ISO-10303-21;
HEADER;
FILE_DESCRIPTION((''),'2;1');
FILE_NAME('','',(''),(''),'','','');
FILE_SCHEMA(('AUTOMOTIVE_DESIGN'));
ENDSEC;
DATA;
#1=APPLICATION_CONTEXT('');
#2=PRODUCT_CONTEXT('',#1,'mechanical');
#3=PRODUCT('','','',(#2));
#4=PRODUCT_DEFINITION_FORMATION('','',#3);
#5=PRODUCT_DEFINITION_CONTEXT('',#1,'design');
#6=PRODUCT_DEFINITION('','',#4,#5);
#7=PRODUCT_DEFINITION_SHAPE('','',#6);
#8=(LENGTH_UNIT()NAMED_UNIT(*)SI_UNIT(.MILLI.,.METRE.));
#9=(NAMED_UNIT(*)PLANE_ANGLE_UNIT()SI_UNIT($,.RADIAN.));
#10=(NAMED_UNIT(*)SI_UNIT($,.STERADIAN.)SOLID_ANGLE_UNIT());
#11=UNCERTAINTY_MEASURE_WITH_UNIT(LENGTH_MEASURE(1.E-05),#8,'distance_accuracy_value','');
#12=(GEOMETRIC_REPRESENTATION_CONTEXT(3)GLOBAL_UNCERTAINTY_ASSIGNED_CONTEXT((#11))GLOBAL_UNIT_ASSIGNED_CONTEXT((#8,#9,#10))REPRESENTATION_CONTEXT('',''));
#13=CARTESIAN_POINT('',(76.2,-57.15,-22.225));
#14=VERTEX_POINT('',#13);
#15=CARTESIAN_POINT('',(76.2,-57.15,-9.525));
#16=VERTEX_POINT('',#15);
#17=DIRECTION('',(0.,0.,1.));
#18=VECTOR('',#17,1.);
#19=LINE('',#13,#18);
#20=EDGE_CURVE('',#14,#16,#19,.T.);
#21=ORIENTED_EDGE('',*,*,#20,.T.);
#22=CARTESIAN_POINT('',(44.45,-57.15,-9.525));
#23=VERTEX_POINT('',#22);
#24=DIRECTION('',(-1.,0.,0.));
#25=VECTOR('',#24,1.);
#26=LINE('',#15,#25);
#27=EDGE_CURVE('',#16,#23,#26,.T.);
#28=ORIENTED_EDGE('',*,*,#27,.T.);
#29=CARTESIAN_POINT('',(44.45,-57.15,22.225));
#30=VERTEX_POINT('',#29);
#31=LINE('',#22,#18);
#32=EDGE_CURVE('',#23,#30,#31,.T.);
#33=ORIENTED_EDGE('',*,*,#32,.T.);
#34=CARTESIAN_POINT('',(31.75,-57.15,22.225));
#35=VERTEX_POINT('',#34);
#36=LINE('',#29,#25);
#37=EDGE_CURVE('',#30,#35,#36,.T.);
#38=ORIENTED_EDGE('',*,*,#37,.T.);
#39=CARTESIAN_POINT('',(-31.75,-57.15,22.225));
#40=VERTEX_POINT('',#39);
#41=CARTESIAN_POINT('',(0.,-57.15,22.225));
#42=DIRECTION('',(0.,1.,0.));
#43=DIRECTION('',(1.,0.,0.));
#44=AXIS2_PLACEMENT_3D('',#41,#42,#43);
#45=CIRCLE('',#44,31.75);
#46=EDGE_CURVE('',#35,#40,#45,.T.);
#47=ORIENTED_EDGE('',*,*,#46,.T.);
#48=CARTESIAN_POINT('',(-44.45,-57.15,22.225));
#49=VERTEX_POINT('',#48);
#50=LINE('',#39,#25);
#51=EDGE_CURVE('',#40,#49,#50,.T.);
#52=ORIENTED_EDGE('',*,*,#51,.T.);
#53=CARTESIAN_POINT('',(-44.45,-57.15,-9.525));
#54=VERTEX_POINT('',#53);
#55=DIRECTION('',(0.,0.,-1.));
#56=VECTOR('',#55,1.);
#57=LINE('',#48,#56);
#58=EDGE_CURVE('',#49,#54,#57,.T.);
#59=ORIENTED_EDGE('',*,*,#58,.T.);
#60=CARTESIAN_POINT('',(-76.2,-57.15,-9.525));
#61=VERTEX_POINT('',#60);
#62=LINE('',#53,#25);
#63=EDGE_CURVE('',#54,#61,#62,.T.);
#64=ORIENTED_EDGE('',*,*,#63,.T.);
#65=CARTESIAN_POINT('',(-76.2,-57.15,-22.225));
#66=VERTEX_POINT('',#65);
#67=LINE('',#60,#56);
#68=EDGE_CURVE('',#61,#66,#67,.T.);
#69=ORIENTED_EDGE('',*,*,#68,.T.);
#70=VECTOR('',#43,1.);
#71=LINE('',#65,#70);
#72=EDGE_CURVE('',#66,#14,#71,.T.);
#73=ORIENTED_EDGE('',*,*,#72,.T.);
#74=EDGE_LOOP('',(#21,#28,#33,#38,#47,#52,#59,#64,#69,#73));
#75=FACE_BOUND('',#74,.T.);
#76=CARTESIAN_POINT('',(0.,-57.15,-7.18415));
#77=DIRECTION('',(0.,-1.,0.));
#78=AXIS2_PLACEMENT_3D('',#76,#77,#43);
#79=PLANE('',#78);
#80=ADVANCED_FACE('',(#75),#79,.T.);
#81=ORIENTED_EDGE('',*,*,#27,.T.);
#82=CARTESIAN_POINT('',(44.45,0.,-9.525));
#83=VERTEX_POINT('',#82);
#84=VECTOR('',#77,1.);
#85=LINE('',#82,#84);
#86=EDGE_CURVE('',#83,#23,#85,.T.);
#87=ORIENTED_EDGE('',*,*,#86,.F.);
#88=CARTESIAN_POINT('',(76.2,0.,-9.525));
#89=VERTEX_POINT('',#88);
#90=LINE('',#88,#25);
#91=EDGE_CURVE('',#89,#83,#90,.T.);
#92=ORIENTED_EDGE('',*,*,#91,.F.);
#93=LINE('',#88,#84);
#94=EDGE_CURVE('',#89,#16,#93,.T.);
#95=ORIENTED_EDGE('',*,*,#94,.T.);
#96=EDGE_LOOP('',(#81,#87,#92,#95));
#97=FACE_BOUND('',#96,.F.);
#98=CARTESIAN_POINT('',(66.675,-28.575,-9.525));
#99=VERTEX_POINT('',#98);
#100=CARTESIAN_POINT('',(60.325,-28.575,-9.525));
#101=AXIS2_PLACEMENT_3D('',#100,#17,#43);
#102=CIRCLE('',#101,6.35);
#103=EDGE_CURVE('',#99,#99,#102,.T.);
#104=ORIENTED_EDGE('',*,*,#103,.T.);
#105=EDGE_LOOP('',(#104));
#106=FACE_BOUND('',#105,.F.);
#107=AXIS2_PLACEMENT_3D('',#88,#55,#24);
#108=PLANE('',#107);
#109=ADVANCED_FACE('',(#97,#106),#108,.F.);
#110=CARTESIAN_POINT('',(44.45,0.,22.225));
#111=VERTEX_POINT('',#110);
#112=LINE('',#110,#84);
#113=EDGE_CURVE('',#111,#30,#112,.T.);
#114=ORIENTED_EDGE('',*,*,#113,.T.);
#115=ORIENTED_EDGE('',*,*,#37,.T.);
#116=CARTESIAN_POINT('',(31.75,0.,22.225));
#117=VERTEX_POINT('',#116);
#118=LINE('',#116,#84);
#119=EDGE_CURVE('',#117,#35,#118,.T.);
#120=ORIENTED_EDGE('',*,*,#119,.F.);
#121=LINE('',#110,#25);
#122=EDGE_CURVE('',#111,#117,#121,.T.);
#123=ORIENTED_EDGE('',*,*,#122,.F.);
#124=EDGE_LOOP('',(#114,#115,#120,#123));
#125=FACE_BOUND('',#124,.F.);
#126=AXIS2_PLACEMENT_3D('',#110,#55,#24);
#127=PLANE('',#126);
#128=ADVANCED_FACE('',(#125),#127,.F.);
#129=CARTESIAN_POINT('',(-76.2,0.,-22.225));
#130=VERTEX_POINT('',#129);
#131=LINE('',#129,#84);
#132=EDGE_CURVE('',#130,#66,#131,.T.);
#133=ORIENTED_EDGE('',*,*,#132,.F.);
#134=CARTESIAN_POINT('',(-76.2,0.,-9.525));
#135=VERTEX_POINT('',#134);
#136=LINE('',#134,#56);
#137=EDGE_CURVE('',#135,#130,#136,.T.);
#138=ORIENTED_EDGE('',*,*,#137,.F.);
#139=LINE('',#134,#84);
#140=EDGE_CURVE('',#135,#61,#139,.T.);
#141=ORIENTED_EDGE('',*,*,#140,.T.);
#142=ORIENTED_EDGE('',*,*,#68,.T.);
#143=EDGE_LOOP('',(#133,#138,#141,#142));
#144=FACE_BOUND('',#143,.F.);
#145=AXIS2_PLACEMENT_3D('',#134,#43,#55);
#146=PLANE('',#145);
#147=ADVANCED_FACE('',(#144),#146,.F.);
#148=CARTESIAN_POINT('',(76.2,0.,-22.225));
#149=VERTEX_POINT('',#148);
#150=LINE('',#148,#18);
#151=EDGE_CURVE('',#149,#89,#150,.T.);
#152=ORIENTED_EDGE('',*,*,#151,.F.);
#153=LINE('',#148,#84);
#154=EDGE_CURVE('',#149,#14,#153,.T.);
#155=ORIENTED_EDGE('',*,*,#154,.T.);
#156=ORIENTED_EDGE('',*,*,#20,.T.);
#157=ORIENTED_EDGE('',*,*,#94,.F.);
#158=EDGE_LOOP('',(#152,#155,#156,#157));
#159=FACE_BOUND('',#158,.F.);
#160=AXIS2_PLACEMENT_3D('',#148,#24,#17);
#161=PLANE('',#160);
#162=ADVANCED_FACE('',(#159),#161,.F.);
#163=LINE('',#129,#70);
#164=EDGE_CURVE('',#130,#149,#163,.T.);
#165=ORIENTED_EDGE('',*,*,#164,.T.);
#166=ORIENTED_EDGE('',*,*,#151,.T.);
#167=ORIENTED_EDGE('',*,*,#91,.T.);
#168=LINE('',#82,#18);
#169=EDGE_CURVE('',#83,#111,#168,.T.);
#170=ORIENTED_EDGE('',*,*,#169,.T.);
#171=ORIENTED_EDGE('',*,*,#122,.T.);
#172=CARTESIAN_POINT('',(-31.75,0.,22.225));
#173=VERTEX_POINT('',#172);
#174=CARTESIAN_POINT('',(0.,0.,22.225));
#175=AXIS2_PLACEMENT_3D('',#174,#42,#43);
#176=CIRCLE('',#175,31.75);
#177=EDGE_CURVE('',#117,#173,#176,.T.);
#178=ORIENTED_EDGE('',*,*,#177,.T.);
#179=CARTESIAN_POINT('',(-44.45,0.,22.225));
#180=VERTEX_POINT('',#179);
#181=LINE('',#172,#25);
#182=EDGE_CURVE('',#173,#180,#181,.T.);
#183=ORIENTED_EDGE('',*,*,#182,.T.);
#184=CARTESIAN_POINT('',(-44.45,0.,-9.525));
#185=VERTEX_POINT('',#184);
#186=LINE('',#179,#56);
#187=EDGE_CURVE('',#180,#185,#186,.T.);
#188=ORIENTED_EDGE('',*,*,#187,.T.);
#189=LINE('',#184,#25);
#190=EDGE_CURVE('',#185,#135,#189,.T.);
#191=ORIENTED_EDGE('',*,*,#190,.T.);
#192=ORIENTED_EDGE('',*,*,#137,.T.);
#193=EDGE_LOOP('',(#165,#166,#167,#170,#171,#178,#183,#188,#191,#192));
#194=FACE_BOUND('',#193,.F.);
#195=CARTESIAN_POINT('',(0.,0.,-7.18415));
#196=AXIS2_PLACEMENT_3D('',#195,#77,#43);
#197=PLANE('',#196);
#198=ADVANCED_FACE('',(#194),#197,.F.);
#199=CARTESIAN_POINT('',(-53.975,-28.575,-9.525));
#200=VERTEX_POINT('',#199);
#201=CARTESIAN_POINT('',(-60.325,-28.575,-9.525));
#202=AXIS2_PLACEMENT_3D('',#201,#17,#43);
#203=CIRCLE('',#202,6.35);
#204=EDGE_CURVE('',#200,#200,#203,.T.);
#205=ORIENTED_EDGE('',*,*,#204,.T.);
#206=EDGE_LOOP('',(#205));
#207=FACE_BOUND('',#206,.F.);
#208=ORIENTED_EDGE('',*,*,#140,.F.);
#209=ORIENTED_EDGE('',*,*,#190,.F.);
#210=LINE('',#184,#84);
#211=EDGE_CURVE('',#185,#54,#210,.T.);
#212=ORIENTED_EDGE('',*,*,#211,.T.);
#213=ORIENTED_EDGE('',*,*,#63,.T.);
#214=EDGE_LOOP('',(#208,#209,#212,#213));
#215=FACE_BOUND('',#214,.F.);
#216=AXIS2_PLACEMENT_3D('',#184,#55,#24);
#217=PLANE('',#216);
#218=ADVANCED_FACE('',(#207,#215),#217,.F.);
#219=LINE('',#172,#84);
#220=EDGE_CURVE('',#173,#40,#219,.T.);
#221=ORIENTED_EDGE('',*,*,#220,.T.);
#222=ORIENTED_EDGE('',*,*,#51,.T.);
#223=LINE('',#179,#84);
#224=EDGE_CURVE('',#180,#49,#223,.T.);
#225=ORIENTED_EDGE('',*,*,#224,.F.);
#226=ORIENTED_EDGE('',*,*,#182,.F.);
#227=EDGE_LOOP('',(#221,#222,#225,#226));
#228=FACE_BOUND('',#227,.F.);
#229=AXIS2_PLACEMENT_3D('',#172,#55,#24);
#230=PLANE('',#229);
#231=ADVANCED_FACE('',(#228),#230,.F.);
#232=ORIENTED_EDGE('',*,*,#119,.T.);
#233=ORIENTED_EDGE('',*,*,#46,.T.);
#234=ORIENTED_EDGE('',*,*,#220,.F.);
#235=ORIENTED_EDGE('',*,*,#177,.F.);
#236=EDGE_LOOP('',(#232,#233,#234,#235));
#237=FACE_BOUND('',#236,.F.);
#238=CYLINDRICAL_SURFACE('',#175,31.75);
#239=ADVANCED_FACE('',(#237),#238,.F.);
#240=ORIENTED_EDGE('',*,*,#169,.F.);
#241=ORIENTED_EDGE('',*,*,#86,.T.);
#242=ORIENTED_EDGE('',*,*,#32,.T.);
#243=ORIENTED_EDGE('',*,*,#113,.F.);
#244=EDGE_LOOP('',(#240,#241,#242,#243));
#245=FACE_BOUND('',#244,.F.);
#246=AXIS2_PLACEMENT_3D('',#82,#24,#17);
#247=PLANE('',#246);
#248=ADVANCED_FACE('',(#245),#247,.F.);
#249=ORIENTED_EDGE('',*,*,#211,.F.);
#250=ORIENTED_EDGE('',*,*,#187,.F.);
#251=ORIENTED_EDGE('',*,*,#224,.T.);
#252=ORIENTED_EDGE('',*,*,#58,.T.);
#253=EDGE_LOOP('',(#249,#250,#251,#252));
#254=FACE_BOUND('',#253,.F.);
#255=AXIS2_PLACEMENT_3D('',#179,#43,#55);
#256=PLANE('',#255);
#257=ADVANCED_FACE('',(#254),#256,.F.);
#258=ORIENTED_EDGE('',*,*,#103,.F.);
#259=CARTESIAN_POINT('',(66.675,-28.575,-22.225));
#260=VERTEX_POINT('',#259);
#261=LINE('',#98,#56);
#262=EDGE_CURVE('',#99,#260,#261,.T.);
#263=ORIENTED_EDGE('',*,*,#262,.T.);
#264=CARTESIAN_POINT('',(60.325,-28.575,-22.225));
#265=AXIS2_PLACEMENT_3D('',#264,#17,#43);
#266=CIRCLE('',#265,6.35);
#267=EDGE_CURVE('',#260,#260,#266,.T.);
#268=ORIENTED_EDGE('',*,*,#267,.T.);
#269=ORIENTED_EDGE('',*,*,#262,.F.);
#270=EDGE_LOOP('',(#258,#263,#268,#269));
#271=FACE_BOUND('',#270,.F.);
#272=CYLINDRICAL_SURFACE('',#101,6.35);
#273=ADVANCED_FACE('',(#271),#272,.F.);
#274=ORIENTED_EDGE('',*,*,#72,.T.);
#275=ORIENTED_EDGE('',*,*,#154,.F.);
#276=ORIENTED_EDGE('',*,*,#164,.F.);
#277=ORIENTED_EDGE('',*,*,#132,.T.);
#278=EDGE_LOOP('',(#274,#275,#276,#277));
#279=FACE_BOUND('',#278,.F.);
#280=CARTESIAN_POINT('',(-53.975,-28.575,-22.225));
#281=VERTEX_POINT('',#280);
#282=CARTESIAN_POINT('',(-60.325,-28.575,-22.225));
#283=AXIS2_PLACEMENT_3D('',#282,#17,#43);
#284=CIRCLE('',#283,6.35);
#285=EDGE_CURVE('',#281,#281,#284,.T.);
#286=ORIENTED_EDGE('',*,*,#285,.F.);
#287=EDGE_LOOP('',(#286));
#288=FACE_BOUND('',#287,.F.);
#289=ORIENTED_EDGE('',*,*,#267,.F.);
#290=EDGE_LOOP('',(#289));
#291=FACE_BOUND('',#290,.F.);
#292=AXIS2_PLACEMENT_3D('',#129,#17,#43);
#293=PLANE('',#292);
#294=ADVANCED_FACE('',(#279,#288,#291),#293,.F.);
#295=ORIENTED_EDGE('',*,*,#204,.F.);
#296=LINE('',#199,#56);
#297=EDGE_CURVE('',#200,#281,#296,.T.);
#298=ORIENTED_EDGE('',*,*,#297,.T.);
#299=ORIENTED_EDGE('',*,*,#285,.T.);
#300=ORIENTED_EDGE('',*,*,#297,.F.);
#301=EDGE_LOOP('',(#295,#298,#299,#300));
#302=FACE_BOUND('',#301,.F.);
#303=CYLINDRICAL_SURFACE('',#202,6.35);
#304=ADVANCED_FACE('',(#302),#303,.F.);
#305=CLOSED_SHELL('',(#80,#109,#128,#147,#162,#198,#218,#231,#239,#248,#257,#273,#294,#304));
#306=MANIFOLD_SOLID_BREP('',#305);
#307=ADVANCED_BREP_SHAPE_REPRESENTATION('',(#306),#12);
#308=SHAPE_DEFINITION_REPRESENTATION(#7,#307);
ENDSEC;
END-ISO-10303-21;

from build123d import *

# Parameters (mm, degrees)
F1_DEPTH = 57.15
F3_R     = 6.35
F2_R     = 6.35
F4_DEPTH = 12.7


with BuildPart() as f1:
    # F0 (on Front) → F1 (new body)
    with BuildSketch(Plane.XZ):
        with BuildLine():
            Line((-76.2, -22.225), (76.2, -22.225))
            Line((76.2, -22.225), (76.2, -9.525))
            Line((76.2, -9.525), (44.45, -9.525))
            Line((44.45, -9.525), (44.45, 22.225))
            Line((44.45, 22.225), (31.75, 22.225))
            ThreePointArc((31.75, 22.225), (0, -9.525), (-31.75, 22.225))
            Line((-31.75, 22.225), (-44.45, 22.225))
            Line((-44.45, 22.225), (-44.45, -9.525))
            Line((-44.45, -9.525), (-76.2, -9.525))
            Line((-76.2, -9.525), (-76.2, -22.225))
        make_face()
    extrude(amount=F1_DEPTH)

    # F3 (on face) + F2 (on face) → F4 (cut)
    with BuildSketch(Plane.XY.offset(-9.525)):
        with Locations((-60.325, -28.575)):
            Circle(F3_R)
    with BuildSketch(Plane.XY.offset(-9.525)):
        with Locations((60.325, -28.575)):
            Circle(F2_R)
    extrude(amount=-F4_DEPTH, mode=Mode.SUBTRACT)


solid = f1.part
